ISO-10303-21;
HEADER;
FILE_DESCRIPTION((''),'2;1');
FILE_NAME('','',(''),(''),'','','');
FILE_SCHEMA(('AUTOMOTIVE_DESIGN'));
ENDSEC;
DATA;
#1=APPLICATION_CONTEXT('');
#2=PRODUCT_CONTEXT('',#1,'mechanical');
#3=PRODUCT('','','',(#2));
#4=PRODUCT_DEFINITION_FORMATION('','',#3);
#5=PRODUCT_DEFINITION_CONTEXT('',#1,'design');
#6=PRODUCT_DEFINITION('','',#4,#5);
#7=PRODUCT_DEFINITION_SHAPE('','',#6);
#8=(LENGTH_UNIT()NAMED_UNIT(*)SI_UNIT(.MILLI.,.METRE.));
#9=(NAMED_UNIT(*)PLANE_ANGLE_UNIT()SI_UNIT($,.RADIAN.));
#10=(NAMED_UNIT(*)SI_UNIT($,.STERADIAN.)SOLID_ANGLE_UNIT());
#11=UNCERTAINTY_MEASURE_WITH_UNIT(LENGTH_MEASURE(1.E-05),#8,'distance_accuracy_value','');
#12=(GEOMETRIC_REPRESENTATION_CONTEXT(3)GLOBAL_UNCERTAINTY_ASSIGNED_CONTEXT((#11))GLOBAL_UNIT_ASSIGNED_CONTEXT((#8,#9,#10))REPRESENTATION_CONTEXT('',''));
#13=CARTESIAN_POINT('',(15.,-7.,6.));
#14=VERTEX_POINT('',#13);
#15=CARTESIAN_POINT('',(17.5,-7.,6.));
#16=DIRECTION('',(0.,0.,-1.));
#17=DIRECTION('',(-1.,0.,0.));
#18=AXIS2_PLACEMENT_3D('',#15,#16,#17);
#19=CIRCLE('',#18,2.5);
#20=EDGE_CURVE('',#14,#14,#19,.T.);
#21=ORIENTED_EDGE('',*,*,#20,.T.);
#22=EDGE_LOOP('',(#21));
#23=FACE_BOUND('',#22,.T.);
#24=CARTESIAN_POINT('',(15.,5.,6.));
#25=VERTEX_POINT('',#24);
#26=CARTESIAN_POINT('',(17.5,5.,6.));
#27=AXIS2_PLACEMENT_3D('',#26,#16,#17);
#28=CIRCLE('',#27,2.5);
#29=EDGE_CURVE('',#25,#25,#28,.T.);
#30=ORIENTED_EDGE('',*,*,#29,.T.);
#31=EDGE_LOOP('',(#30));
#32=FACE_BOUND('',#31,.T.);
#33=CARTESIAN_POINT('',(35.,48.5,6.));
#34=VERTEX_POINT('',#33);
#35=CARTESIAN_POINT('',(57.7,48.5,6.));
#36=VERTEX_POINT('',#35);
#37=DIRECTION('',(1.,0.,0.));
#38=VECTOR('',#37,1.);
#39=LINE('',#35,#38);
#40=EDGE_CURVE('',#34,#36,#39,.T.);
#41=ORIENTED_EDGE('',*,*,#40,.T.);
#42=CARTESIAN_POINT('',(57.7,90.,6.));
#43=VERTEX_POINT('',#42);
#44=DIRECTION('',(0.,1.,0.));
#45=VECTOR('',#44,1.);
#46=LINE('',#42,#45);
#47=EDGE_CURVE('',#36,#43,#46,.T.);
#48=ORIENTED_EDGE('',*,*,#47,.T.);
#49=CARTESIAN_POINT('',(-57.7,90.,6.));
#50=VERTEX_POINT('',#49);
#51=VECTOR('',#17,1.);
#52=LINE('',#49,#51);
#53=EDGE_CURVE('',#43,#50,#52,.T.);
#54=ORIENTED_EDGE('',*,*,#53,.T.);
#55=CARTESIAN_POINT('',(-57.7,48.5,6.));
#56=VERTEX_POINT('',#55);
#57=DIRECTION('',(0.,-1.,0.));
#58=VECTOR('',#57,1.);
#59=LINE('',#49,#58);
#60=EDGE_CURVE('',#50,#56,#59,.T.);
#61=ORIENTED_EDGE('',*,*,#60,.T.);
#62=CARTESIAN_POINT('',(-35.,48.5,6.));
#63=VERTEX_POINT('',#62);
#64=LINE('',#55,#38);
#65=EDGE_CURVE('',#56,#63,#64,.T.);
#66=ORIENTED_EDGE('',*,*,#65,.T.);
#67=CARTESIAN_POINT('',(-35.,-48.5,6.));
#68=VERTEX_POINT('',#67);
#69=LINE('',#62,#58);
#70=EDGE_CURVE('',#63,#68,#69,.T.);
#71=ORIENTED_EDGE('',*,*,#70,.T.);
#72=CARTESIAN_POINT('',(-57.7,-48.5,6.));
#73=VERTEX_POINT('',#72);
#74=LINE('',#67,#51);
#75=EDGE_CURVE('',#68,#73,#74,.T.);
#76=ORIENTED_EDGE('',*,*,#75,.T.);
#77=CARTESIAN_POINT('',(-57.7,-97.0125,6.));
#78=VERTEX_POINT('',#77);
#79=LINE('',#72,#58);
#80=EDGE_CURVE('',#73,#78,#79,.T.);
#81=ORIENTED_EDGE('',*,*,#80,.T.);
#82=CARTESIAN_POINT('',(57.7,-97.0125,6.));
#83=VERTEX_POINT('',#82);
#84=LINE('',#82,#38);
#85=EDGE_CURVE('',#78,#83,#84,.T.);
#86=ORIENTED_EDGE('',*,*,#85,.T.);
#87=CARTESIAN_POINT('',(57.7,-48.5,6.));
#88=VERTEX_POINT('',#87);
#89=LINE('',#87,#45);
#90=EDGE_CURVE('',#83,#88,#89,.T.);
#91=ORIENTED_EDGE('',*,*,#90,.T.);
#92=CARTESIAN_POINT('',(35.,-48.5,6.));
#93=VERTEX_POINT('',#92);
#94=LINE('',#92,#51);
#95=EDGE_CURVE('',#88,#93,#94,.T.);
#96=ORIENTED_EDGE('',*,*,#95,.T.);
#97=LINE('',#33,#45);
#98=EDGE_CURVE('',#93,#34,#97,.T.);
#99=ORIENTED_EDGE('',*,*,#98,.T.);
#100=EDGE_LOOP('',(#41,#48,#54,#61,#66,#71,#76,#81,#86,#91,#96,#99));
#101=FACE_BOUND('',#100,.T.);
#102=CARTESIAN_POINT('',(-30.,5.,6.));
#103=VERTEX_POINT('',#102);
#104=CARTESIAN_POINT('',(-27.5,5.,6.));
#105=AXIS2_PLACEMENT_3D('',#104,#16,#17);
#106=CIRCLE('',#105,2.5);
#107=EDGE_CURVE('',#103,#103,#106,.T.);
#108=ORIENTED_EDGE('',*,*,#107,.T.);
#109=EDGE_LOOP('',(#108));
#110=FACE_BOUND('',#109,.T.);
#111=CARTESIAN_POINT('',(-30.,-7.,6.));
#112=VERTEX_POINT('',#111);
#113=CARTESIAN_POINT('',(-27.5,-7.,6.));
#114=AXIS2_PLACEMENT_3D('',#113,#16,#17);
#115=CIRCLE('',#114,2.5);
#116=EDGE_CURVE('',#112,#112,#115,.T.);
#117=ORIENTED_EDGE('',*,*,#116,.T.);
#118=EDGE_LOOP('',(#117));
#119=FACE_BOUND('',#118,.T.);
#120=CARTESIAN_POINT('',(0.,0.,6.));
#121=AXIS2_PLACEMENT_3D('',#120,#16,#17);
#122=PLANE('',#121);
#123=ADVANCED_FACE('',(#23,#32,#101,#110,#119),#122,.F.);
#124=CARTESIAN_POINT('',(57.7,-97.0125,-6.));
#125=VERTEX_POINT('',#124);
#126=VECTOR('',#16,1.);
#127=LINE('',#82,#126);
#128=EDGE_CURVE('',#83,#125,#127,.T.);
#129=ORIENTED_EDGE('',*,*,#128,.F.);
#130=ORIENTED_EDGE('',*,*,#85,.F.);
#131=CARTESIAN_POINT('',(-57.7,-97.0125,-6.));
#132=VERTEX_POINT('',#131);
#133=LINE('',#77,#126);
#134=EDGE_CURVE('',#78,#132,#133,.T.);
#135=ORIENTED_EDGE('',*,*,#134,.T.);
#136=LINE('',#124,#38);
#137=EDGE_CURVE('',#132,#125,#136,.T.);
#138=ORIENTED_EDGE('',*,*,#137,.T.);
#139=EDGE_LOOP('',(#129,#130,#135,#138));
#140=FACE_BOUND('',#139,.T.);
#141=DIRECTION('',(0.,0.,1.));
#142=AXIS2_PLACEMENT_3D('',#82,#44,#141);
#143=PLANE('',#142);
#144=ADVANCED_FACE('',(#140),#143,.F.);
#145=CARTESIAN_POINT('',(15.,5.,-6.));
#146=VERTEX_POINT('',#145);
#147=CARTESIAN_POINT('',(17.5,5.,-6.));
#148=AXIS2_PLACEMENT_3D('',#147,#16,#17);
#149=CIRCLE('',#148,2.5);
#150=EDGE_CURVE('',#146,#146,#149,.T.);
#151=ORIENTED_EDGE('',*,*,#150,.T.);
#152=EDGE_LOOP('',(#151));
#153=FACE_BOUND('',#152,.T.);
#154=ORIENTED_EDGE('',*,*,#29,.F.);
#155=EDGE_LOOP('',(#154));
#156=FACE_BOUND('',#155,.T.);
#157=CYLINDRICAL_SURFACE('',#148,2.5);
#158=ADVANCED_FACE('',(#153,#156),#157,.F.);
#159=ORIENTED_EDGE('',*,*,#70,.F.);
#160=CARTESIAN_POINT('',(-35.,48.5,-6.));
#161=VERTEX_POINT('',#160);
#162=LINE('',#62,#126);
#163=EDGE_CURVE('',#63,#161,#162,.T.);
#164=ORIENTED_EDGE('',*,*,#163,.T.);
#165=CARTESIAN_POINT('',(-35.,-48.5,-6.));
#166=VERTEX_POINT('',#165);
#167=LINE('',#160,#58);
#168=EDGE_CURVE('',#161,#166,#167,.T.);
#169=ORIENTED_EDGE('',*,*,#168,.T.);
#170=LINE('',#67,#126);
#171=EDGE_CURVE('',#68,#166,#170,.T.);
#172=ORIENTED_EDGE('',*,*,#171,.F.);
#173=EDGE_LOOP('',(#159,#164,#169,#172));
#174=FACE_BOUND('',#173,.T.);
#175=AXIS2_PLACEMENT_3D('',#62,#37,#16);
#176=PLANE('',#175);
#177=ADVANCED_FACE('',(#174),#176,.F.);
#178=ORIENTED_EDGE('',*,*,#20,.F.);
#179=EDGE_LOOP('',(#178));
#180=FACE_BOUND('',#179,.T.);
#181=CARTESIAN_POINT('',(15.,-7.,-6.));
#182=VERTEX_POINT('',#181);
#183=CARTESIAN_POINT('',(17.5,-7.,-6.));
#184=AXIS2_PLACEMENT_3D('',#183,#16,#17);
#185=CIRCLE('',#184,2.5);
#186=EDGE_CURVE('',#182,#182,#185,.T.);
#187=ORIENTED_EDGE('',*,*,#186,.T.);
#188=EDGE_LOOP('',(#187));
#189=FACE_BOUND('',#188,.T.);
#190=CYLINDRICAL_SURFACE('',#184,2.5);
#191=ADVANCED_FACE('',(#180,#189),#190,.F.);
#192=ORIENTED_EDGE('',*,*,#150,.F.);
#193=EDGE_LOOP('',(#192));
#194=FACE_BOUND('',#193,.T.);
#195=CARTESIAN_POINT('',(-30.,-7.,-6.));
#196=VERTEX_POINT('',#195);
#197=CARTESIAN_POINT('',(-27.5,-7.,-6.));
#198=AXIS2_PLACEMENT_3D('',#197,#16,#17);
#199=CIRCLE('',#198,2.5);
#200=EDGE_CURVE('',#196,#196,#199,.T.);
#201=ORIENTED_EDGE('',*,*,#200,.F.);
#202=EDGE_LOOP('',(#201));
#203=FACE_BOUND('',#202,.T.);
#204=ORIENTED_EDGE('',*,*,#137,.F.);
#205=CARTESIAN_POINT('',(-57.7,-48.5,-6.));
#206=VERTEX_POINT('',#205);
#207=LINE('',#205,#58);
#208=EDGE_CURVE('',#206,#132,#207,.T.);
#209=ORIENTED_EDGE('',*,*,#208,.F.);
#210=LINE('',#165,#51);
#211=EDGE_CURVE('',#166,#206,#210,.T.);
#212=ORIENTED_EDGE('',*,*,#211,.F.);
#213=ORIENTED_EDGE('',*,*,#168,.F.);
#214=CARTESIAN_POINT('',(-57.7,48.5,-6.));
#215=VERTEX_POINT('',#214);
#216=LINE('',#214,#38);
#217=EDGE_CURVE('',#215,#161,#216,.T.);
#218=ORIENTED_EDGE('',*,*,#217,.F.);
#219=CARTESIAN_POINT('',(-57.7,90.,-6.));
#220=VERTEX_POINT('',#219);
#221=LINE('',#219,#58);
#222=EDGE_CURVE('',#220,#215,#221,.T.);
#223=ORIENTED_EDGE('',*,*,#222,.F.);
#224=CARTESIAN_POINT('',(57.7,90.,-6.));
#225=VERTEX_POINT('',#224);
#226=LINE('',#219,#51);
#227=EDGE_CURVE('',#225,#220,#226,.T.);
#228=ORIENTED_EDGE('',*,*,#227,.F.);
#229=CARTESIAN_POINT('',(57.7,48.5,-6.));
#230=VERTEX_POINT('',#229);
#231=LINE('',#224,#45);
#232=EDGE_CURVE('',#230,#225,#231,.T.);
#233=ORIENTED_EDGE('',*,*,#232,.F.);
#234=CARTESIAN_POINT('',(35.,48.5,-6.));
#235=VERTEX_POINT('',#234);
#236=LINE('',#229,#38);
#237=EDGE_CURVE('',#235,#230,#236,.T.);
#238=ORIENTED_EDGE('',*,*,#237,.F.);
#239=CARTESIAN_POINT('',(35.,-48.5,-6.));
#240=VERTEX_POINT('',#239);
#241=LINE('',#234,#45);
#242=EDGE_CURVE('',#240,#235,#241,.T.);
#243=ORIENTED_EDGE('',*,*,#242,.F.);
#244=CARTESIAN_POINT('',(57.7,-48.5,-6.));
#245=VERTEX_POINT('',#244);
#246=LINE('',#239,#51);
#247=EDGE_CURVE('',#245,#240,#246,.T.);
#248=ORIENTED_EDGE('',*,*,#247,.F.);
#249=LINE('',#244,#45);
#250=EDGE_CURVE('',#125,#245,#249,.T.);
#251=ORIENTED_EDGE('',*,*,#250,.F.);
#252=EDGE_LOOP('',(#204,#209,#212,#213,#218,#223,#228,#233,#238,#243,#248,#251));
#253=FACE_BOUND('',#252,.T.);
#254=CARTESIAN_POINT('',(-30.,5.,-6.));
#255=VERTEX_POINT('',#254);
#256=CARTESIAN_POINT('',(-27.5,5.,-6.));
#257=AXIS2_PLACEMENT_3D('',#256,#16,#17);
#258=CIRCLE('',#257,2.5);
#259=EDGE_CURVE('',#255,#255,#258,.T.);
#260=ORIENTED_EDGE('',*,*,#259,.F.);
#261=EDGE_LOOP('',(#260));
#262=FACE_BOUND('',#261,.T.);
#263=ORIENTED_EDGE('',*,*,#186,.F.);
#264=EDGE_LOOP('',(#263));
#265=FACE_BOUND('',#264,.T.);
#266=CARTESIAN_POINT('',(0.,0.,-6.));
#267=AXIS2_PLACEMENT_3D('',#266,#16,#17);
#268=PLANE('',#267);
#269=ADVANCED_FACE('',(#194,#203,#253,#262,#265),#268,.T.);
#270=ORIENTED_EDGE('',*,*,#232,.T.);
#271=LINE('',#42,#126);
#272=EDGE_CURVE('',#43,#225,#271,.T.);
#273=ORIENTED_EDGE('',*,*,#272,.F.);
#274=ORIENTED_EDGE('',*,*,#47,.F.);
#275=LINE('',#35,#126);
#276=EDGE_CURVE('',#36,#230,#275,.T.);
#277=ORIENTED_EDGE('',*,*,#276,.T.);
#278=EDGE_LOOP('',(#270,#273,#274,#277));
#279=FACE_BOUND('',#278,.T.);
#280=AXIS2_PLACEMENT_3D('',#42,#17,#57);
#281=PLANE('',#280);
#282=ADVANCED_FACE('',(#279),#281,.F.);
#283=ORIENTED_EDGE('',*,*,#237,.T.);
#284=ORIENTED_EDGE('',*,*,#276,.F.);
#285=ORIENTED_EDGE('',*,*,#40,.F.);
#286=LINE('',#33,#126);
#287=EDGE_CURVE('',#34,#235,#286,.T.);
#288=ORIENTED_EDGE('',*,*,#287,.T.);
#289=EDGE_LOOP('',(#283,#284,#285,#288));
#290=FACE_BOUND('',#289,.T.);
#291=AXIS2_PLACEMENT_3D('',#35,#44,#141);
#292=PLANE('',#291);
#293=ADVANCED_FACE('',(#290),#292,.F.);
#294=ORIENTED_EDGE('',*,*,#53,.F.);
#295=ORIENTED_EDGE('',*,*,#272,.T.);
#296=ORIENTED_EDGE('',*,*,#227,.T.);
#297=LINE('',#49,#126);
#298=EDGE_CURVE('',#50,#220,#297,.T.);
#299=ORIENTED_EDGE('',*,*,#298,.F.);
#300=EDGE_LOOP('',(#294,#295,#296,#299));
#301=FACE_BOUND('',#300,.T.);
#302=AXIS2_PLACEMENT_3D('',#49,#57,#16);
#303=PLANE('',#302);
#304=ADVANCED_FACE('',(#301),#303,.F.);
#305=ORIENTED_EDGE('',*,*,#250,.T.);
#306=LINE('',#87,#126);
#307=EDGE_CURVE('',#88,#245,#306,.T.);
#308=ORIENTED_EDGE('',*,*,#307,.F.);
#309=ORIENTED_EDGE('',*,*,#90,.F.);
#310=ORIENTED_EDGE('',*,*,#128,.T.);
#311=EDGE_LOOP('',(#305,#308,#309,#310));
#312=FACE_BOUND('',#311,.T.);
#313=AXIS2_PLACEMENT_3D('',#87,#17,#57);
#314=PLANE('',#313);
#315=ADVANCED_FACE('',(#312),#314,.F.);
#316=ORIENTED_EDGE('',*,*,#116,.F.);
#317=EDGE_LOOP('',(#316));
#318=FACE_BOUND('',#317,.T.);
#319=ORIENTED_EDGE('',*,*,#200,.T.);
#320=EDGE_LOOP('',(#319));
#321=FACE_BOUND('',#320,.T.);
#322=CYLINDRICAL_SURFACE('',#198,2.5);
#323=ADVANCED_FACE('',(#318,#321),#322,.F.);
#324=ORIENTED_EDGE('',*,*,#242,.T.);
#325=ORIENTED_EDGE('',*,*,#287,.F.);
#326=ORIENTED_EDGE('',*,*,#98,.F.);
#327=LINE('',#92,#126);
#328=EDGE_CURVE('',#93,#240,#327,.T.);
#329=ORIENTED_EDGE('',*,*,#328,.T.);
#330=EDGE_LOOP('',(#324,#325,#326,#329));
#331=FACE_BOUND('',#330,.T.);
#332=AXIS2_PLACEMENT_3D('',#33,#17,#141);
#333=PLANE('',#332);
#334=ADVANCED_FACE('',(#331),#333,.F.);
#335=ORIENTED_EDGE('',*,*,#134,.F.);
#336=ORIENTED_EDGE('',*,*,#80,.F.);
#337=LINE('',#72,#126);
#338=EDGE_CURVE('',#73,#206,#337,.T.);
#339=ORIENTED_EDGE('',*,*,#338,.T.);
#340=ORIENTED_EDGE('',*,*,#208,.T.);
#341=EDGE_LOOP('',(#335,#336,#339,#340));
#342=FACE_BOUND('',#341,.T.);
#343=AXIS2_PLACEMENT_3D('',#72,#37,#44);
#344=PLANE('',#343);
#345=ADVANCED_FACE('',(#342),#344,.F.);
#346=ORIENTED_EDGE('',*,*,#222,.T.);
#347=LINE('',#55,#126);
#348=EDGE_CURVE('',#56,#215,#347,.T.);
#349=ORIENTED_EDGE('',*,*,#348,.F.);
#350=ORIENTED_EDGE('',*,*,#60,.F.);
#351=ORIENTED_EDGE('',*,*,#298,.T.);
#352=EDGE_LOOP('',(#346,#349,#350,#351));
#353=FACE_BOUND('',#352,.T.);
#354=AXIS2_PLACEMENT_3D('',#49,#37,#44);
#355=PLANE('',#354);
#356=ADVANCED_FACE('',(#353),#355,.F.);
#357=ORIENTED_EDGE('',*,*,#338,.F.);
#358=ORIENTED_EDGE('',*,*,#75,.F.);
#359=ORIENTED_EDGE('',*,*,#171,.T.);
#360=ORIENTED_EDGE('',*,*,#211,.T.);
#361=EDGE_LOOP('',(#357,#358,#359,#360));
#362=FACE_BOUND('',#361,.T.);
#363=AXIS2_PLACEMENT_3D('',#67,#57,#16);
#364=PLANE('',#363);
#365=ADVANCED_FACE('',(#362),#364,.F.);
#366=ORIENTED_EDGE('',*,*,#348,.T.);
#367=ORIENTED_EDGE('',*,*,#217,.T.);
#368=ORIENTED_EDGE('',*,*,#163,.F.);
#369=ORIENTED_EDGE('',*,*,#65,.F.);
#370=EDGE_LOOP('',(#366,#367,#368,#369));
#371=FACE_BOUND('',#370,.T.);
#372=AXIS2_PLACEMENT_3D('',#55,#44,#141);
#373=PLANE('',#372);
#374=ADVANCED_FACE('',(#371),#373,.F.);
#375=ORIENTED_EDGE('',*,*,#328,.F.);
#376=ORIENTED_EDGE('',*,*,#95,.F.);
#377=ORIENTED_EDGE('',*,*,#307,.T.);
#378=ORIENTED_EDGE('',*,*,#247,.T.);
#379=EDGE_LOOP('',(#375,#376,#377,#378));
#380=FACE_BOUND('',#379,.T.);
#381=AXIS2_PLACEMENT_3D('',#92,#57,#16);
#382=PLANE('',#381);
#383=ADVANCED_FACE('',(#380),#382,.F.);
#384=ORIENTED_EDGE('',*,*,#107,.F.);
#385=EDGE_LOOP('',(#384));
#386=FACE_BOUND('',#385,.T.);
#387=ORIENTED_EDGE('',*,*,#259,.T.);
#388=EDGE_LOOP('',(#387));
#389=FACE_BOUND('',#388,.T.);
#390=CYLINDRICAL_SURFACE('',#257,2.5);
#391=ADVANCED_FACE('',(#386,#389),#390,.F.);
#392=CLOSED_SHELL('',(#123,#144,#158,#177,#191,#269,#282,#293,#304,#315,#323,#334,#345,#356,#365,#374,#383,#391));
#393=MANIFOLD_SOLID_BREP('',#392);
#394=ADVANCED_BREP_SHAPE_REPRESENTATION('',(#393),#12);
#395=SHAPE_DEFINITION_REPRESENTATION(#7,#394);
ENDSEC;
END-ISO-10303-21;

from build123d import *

# Parameters (mm, degrees)
BOSS_EXTRUDE1_DEPTH         = 6
TAP_DRILL_FOR_M6X1_0_TAP1_D = 5


with BuildPart() as part:
    # Sketch2 → Boss-Extrude1 (new, symmetric)
    with BuildSketch(Plane.XY):
        Polygon((-57.7, 90), (57.7, 90), (57.7, 48.5), (35, 48.5), (35, -48.5), (57.7, -48.5), (57.7, -97.0125), (-57.7, -97.0125), (-57.7, -48.5), (-35, -48.5), (-35, 48.5), (-57.7, 48.5), align=None)
    extrude(amount=BOSS_EXTRUDE1_DEPTH, both=True)

    # Tap Drill for M6x1.0 Tap1 (through all)
    with Locations(Plane(origin=(0, 0, -6), x_dir=(-1, 0, 0), z_dir=(0, 0, -1))):
        with Locations((-17.5, 5), (27.5, 5), (27.5, -7), (-17.5, -7)):
            Hole(TAP_DRILL_FOR_M6X1_0_TAP1_D / 2)


solid = part.part
